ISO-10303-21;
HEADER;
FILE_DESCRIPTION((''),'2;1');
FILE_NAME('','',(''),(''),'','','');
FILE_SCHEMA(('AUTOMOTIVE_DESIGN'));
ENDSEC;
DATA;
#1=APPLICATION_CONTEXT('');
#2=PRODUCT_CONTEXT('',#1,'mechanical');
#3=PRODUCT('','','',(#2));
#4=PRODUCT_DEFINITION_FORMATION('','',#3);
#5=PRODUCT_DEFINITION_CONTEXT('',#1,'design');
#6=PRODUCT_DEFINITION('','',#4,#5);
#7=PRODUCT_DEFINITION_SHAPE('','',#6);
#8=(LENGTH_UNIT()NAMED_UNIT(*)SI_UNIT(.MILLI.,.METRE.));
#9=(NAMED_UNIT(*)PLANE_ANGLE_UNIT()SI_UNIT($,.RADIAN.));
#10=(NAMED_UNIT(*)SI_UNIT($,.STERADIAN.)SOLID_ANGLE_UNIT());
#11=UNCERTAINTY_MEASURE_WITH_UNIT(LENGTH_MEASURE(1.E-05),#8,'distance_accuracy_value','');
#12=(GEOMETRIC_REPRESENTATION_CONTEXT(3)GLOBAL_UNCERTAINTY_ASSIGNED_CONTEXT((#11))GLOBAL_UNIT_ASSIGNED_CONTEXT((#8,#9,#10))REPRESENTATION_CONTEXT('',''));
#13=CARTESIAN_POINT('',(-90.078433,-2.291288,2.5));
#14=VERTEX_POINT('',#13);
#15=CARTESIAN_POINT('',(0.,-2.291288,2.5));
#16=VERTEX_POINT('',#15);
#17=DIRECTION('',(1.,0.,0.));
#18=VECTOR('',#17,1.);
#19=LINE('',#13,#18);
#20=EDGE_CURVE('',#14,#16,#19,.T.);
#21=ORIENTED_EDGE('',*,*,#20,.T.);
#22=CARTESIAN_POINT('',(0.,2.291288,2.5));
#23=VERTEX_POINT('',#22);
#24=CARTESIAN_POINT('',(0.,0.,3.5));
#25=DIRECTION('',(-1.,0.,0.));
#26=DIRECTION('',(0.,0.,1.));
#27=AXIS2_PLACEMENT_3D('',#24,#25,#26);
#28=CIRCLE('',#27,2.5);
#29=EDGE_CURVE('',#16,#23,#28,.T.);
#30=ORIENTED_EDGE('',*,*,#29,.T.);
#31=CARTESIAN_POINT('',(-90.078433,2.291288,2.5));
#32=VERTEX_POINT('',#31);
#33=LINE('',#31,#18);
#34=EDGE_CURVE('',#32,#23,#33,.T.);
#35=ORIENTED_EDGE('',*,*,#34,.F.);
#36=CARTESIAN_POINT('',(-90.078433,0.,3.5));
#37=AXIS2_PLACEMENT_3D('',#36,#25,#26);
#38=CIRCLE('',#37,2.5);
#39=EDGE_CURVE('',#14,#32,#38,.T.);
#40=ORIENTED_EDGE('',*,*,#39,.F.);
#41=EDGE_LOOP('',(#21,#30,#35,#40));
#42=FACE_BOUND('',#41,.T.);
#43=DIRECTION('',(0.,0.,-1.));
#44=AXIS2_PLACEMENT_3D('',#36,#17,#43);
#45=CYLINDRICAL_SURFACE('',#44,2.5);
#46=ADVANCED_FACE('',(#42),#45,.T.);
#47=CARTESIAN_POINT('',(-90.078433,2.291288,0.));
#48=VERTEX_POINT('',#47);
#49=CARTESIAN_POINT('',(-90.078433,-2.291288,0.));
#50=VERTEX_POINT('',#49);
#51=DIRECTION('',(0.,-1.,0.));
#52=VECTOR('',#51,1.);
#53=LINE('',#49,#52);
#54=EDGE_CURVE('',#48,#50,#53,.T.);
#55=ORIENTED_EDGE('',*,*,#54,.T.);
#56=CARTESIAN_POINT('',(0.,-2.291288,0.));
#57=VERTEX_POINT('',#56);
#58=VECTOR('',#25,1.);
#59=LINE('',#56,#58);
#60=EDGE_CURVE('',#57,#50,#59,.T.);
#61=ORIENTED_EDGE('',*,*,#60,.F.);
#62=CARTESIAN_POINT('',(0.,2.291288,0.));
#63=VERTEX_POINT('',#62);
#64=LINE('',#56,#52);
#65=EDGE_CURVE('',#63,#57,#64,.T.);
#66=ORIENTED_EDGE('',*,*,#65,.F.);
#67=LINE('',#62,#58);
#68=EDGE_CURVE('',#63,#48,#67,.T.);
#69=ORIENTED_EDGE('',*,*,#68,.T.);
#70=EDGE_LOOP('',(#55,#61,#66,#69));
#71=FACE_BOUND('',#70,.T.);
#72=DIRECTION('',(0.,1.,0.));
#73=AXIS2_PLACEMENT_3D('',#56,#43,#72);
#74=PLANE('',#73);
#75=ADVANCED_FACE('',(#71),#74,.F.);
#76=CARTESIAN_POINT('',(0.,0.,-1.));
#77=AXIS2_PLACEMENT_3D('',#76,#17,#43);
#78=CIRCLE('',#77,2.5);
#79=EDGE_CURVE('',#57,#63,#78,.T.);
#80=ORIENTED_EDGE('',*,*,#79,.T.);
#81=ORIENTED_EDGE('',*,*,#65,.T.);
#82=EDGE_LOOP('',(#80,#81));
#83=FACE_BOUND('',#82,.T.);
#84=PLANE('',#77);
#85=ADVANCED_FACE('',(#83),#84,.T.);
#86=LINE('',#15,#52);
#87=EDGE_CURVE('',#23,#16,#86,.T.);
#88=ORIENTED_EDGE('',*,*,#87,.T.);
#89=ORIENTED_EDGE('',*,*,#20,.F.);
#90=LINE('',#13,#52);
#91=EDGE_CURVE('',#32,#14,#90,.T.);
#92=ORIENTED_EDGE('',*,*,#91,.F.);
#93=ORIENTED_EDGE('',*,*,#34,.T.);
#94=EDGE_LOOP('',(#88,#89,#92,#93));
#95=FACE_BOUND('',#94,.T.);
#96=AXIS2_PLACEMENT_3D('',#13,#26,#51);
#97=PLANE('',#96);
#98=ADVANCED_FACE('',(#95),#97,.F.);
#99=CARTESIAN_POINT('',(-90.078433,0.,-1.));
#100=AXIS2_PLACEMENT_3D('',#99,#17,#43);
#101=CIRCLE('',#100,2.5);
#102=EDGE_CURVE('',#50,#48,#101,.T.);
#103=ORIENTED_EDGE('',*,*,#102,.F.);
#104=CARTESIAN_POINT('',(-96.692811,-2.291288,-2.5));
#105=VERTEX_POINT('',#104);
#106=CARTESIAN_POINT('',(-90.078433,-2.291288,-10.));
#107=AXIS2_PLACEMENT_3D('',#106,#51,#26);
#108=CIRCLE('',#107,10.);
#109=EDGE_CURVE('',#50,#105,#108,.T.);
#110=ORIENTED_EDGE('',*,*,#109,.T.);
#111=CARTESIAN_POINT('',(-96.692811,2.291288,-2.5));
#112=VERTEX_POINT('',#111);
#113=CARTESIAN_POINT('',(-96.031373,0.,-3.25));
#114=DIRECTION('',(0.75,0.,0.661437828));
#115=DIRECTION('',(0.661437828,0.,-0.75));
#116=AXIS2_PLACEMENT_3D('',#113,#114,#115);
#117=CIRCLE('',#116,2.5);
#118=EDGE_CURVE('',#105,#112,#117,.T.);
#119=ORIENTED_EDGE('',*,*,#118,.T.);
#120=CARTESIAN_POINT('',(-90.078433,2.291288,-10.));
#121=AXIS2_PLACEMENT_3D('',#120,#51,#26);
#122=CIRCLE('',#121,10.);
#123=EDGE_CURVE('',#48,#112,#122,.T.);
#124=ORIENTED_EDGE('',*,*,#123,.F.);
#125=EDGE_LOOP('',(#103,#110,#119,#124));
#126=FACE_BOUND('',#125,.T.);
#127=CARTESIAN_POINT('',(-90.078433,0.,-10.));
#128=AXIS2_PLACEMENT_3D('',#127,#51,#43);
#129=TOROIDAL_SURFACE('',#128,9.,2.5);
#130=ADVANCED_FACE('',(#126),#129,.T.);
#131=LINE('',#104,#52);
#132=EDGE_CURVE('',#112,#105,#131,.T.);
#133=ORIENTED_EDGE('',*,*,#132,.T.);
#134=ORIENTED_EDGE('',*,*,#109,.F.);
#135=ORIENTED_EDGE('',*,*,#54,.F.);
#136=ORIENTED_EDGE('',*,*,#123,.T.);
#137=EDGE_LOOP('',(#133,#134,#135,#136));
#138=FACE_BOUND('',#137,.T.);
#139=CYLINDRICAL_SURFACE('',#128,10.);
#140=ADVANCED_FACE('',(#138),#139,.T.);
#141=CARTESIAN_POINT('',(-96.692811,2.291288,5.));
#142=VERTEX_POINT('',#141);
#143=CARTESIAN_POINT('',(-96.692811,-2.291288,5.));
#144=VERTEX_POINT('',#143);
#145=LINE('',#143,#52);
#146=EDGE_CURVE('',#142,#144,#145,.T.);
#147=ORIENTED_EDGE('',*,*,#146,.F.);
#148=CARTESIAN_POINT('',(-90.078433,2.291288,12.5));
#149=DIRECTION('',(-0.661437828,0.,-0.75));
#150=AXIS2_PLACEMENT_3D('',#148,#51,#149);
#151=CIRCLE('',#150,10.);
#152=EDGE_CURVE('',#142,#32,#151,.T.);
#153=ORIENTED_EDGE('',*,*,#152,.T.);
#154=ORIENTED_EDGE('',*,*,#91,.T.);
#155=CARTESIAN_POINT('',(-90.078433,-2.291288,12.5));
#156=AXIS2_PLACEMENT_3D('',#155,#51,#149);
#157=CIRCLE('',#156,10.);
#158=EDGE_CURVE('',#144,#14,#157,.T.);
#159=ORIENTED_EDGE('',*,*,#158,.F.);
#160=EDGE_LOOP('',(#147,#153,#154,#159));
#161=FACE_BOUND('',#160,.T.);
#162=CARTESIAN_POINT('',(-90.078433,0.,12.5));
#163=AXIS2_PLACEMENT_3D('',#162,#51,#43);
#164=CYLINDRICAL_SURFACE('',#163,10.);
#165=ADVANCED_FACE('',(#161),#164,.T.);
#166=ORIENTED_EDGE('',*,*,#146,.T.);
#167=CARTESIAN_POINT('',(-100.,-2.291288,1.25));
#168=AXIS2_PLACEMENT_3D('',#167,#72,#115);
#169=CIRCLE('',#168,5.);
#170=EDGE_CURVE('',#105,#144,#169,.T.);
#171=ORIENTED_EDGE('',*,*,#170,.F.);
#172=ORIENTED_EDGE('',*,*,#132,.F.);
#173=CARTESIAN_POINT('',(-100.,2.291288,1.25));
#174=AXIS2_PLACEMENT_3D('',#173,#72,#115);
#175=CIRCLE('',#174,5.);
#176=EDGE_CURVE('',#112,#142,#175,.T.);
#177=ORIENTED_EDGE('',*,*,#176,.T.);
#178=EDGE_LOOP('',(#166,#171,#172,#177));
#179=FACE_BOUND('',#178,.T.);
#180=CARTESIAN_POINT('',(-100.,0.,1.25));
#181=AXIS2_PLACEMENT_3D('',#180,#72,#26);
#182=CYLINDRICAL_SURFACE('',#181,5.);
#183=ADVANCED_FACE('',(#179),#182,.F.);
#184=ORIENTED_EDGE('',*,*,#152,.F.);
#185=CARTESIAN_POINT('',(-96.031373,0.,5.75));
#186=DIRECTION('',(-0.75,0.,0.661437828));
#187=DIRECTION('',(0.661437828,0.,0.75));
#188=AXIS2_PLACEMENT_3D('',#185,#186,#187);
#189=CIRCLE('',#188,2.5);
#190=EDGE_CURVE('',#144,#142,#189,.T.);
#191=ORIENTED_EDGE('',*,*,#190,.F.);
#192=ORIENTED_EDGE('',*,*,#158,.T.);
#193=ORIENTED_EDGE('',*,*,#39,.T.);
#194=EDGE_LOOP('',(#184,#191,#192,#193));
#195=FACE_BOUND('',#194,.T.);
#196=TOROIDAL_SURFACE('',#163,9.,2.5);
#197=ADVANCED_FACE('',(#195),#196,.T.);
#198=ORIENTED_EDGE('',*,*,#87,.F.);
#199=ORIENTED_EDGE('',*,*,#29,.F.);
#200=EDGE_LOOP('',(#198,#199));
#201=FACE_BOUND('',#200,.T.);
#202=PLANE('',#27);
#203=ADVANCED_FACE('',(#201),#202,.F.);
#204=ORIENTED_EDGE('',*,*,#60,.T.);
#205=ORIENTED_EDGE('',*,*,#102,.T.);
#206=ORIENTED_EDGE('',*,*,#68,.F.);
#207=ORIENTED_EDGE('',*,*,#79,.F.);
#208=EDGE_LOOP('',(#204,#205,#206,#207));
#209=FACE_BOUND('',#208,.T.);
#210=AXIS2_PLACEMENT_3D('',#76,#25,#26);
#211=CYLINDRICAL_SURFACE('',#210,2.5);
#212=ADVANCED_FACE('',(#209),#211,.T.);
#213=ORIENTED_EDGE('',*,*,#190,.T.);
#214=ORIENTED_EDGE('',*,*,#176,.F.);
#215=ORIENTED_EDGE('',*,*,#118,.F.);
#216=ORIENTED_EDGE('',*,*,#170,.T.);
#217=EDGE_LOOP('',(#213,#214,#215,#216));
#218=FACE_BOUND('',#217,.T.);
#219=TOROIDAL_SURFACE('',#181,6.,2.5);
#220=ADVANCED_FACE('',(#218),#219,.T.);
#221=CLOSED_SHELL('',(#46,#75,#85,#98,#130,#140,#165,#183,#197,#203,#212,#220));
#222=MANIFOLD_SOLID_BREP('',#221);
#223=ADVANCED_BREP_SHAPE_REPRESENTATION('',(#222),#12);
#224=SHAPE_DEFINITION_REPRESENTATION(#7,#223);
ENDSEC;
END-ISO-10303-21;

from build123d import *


with BuildPart() as part:
    # Sweep1: sweep along a path in Sketch1
    with BuildLine(Plane(origin=(0, 0, 0), x_dir=(1, 0, 0), z_dir=(0, 1, 0))) as sweep1_path:
        Line((0, 0), (-90.078432584, 0))
        ThreePointArc((-90.078432584, 0), (-93.613966489, 0.645856533), (-96.692810861, 2.5))
        ThreePointArc((-96.692810861, 2.5), (-105, -1.25), (-96.692810861, -5))
        ThreePointArc((-96.692810861, -5), (-93.613966489, -3.145856533), (-90.078432584, -2.5))
        Line((-90.078432584, -2.5), (0, -2.5))
    # Sketch2 → Sweep1 (sweep)
    with BuildSketch(Plane(origin=(0, 0, 0), x_dir=(0, 0, -1), z_dir=(1, 0, 0))):
        with BuildLine():
            Line((0, -2.291287847), (0, 2.291287847))
            ThreePointArc((0, 2.291287847), (3.5, 0), (0, -2.291287847))
        make_face()
    sweep(path=sweep1_path.line)


solid = part.part
